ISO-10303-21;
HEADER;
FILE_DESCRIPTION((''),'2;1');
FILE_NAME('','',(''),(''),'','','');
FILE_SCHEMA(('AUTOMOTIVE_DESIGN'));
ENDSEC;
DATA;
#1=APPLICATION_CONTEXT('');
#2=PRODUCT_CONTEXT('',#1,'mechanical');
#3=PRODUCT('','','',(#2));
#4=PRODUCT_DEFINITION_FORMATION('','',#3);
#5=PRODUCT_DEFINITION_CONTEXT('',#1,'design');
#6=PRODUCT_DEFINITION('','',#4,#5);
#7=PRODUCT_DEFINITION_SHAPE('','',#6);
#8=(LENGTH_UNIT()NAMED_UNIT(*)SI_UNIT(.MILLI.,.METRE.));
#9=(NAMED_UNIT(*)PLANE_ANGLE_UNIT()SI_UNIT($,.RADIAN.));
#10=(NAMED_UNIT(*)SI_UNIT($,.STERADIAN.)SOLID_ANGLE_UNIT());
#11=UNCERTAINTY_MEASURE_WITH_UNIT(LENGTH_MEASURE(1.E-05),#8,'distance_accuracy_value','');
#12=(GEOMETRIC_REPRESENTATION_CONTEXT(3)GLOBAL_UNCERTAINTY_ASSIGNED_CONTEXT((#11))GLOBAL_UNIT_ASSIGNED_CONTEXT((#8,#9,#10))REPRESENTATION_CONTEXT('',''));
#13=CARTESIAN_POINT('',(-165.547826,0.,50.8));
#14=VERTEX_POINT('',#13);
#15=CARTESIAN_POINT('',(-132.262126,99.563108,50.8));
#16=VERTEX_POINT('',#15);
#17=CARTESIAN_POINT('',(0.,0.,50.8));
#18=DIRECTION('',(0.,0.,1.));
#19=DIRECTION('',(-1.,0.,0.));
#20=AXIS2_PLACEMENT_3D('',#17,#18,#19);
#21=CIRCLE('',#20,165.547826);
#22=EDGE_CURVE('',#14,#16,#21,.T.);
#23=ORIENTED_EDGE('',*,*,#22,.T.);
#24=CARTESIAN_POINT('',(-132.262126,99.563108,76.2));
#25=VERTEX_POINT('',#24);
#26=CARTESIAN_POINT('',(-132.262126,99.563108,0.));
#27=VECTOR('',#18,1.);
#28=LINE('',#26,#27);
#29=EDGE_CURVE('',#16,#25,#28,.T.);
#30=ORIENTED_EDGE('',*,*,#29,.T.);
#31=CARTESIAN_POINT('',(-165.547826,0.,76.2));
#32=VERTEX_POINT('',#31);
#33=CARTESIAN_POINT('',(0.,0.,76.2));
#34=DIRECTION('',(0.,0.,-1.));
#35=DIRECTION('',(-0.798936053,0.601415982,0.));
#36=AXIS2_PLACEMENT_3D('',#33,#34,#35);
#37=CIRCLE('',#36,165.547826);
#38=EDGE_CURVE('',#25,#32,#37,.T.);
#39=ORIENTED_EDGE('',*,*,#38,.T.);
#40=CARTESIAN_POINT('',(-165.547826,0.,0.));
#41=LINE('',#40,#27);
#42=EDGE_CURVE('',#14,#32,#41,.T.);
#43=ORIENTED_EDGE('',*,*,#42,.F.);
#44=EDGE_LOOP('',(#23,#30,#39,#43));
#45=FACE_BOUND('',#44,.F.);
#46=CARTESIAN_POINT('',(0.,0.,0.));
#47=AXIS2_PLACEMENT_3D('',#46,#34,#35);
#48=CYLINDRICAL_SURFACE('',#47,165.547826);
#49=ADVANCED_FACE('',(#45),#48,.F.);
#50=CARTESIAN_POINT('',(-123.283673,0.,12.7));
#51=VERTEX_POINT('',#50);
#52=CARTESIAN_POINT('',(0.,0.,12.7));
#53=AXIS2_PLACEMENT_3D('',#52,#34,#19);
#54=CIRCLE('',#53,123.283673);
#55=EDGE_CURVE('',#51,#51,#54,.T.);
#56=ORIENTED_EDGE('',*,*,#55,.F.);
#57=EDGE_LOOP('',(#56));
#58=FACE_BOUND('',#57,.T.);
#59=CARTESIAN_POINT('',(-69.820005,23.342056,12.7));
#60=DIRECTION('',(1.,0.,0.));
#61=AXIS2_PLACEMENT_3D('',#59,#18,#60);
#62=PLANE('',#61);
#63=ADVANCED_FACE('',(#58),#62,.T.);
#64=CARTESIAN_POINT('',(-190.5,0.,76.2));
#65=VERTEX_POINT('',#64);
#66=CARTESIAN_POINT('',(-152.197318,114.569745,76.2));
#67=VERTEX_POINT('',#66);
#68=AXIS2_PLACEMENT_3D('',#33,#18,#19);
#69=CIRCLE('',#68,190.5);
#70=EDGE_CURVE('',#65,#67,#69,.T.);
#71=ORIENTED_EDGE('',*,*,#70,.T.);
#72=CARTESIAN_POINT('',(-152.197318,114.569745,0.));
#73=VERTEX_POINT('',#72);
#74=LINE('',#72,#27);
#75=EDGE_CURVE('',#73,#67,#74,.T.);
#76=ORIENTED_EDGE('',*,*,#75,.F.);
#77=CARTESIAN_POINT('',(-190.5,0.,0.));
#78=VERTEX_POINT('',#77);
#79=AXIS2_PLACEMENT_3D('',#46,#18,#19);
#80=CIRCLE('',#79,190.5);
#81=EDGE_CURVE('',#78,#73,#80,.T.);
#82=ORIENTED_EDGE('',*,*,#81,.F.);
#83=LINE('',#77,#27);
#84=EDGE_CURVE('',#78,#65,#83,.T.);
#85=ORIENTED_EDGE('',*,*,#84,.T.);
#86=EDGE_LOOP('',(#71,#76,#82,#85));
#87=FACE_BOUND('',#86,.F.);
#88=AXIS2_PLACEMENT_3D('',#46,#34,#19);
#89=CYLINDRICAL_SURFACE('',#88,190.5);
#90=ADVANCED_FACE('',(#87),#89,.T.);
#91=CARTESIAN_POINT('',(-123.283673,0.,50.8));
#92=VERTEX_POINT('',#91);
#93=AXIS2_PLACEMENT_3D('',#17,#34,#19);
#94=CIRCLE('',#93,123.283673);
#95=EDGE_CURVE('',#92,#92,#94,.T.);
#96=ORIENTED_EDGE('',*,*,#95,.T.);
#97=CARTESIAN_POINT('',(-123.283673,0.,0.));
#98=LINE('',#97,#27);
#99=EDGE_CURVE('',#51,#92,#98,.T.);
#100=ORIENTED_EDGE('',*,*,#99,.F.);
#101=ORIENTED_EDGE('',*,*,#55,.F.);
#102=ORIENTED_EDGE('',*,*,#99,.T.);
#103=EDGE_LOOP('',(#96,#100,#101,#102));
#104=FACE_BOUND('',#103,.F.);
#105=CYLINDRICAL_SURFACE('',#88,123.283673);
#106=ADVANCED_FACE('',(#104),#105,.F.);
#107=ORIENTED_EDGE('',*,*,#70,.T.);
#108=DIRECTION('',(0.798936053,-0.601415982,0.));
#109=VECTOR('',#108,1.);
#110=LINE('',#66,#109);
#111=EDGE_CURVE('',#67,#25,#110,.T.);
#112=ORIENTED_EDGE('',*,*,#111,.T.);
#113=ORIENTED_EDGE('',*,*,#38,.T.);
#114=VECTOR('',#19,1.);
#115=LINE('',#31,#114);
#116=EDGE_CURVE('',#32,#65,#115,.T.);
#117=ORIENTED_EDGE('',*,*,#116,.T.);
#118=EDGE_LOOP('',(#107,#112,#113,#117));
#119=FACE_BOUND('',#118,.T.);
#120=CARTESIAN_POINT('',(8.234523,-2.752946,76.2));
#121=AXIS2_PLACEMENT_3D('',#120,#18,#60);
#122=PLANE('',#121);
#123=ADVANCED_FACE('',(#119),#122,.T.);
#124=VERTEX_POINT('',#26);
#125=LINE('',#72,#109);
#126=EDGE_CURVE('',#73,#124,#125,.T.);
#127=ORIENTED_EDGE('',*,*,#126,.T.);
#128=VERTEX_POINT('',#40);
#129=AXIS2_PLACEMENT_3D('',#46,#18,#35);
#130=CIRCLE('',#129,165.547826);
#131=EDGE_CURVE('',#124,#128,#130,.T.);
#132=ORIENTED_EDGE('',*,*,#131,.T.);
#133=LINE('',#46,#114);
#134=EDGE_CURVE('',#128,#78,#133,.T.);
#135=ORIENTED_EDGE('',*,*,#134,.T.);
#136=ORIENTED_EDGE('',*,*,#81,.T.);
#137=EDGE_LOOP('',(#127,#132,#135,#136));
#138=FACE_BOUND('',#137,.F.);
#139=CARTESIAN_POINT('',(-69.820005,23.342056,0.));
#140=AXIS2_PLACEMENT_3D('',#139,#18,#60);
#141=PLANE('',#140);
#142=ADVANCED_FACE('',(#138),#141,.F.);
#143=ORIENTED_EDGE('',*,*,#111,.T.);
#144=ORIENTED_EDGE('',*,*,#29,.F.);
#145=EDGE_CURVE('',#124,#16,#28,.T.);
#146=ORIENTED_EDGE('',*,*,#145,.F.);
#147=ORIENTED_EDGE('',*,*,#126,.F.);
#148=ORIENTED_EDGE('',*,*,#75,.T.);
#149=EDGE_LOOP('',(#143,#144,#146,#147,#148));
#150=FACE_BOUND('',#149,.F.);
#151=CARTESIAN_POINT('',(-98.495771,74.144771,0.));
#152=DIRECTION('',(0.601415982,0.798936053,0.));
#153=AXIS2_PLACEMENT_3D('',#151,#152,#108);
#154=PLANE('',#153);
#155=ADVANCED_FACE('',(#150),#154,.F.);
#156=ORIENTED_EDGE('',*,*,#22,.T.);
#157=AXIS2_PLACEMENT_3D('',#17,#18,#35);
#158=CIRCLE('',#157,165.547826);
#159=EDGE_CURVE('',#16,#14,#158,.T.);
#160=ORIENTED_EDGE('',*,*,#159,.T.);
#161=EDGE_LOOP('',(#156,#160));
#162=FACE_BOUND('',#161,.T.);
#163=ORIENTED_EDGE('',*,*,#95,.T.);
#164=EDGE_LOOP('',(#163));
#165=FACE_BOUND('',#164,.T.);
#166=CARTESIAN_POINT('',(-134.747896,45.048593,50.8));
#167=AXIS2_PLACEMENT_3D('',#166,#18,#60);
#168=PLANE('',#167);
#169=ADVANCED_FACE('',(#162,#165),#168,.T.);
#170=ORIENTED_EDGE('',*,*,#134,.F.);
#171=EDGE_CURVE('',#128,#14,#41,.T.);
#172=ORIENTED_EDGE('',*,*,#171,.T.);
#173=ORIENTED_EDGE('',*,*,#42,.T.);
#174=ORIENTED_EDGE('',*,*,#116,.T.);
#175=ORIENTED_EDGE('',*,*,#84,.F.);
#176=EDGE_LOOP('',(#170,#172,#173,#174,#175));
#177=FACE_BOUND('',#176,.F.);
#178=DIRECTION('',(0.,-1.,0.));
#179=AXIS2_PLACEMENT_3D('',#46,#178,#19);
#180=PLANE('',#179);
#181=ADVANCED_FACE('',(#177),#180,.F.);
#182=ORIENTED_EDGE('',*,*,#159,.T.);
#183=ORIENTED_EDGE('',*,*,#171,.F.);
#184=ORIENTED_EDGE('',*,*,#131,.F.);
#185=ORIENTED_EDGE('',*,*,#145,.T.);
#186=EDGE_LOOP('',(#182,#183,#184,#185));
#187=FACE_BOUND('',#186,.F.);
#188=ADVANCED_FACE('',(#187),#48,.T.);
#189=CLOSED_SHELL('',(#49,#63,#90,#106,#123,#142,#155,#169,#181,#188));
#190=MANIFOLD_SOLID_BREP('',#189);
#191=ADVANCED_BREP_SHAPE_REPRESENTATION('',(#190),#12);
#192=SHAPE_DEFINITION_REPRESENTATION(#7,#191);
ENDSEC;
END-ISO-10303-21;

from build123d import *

# Parameters (mm, degrees)
F1_DEPTH = 76.2
F2_DEPTH = 50.8
F3_DEPTH = 12.7
F4_DEPTH = 50.8
F5_DEPTH = 12.7


with BuildPart() as f1:
    # F0 (on Top) → F1 (new body)
    with BuildSketch(Plane.XY):
        with BuildLine():
            ThreePointArc((-190.5, 0), (0, -190.5), (190.5, 0))
            ThreePointArc((190.5, 0), (60.4014109978, 180.6707490146), (-152.1973181048, 114.5697445302))
            Line((-152.1973181048, 114.5697445302), (-132.2621264517, 99.5631081236))
            ThreePointArc((-132.2621264517, 99.5631081236), (52.4898806282, 157.0060349935), (165.5478256962, 0))
            ThreePointArc((165.5478256962, 0), (0, -165.5478256962), (-165.5478256962, 0))
            Line((-165.5478256962, 0), (-190.5, 0))
        make_face()
    extrude(amount=F1_DEPTH)

    # F0 (on Top) → F2 (join)
    with BuildSketch(Plane.XY):
        with BuildLine():
            ThreePointArc((165.5478256962, 0), (52.4898806282, 157.0060349935), (-132.2621264517, 99.5631081236))
            Line((-132.2621264517, 99.5631081236), (-98.495770837, 74.1447710289))
            ThreePointArc((-98.495770837, 74.1447710289), (39.0892796926, 116.9225904469), (123.2836726566, 0))
            ThreePointArc((123.2836726566, 0), (0, -123.2836726566), (-123.2836726566, 0))
            Line((-123.2836726566, 0), (-165.5478256962, 0))
            ThreePointArc((-165.5478256962, 0), (0, -165.5478256962), (165.5478256962, 0))
        make_face()
    extrude(amount=F2_DEPTH)

    # F0 (on Top) → F3 (join)
    with BuildSketch(Plane.XY):
        with BuildLine():
            ThreePointArc((123.2836726566, 0), (39.0892796926, 116.9225904469), (-98.495770837, 74.1447710289))
            Line((-98.495770837, 74.1447710289), (0, 0))
            Line((0, 0), (-123.2836726566, 0))
            ThreePointArc((-123.2836726566, 0), (0, -123.2836726566), (123.2836726566, 0))
        make_face()
    extrude(amount=F3_DEPTH)

    # F0 (on Top) → F4 (join)
    with BuildSketch(Plane.XY):
        with BuildLine():
            Line((-98.495770837, 74.1447710289), (-132.2621264517, 99.5631081236))
            ThreePointArc((-132.2621264517, 99.5631081236), (-157.0060349935, 52.4898806282), (-165.5478256962, 0))
            Line((-165.5478256962, 0), (-123.2836726566, 0))
            ThreePointArc((-123.2836726566, 0), (-116.9225904469, 39.0892796926), (-98.495770837, 74.1447710289))
        make_face()
    extrude(amount=F4_DEPTH)

    # F0 (on Top) → F5 (join)
    with BuildSketch(Plane.XY):
        with BuildLine():
            Line((0, 0), (-98.495770837, 74.1447710289))
            ThreePointArc((-98.495770837, 74.1447710289), (-116.9225904469, 39.0892796926), (-123.2836726566, 0))
            Line((-123.2836726566, 0), (0, 0))
        make_face()
    extrude(amount=F5_DEPTH)


solid = f1.part
